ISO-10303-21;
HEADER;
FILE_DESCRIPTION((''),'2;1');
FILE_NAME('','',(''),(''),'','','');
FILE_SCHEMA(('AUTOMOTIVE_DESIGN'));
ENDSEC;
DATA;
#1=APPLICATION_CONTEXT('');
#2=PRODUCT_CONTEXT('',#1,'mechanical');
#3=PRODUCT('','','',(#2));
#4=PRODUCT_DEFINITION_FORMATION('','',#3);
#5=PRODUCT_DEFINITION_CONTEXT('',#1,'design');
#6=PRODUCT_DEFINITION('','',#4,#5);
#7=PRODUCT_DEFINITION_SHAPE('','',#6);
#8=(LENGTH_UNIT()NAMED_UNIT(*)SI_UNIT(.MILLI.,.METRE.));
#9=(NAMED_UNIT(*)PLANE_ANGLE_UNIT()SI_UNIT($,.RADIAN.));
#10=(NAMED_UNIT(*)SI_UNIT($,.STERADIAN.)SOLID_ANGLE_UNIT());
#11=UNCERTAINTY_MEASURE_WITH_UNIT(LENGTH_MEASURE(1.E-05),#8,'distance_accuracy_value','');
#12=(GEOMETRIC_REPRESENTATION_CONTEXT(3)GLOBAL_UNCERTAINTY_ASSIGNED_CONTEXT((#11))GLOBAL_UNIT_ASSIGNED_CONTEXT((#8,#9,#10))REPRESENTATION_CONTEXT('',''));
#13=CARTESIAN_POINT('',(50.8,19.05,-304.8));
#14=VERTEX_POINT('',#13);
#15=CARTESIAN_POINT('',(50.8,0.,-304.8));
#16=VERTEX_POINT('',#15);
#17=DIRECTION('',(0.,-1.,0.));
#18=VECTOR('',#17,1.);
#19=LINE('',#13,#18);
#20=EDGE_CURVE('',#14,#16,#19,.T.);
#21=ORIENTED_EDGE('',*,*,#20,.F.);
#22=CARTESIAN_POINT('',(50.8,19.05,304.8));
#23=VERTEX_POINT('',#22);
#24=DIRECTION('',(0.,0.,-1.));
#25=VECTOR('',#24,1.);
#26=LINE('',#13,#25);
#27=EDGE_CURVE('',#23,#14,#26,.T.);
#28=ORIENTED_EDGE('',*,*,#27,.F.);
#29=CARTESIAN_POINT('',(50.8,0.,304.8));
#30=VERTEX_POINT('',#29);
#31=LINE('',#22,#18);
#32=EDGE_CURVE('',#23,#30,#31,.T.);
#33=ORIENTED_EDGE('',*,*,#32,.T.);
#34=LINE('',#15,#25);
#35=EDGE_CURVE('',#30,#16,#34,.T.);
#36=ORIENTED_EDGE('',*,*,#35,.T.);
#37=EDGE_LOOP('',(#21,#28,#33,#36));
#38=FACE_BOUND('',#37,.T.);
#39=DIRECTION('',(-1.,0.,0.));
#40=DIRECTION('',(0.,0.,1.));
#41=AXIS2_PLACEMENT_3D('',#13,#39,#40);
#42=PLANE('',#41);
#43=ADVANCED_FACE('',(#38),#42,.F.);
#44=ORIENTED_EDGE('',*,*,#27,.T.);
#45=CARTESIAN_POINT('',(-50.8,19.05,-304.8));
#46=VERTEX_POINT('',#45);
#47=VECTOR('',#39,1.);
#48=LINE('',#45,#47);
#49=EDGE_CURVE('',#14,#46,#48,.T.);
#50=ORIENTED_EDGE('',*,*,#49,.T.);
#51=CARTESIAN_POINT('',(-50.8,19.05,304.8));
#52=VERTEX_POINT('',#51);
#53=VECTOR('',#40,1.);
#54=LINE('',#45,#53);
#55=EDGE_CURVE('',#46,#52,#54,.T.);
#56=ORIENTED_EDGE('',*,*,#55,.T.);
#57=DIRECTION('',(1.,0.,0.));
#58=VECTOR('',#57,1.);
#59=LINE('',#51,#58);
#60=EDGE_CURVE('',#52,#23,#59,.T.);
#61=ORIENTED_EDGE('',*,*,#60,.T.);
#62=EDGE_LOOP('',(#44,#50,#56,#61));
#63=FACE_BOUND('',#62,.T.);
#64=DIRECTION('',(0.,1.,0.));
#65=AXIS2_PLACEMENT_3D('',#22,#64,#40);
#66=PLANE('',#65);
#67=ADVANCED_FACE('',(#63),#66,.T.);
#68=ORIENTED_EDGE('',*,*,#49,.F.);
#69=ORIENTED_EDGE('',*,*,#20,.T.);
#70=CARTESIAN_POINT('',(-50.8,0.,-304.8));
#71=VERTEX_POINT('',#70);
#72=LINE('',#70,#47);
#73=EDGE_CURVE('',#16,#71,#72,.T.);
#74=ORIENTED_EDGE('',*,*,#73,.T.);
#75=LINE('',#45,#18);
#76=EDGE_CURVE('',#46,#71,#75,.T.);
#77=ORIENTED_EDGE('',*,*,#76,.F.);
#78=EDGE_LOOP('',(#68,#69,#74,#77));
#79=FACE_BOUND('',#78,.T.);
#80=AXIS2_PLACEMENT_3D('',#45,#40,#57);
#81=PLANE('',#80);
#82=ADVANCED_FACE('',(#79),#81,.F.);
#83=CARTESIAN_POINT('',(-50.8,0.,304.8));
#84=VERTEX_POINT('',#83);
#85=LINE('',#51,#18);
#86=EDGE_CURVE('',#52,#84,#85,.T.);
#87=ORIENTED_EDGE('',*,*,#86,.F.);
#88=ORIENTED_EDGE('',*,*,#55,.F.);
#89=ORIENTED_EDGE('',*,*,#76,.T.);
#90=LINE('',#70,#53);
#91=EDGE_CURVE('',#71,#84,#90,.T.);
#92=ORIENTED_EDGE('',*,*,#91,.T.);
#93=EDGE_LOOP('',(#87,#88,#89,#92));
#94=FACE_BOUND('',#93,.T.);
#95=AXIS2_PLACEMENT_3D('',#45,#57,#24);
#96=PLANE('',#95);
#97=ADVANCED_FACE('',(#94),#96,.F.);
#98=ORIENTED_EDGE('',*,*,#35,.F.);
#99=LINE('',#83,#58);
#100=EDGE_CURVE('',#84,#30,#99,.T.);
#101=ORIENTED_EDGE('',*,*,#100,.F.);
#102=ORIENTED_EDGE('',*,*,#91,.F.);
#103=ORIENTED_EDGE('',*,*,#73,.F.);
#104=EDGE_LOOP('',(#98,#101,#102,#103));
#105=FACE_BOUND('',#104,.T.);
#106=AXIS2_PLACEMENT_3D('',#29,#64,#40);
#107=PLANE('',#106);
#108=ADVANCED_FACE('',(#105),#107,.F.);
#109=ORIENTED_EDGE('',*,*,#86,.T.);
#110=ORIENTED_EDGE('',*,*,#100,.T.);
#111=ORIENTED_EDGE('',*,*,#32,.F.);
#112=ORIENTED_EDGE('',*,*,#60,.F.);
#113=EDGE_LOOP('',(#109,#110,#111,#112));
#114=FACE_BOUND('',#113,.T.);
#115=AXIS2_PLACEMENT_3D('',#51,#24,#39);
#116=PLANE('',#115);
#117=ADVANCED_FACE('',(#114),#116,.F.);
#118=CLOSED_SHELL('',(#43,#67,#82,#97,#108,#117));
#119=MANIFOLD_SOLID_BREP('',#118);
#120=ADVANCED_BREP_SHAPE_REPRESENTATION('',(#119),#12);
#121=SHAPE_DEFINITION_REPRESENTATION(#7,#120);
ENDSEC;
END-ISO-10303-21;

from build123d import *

# Parameters (mm, degrees)
SKETCH1_W           = 101.6
SKETCH1_H           = 609.6
BOSS_EXTRUDE1_DEPTH = 19.05


with BuildPart() as part:
    # Sketch1 → Boss-Extrude1 (new body)
    with BuildSketch(Plane(origin=(0, 0, 0), x_dir=(1, 0, 0), z_dir=(0, 1, 0))):
        Rectangle(SKETCH1_W, SKETCH1_H)
    extrude(amount=BOSS_EXTRUDE1_DEPTH)


solid = part.part
